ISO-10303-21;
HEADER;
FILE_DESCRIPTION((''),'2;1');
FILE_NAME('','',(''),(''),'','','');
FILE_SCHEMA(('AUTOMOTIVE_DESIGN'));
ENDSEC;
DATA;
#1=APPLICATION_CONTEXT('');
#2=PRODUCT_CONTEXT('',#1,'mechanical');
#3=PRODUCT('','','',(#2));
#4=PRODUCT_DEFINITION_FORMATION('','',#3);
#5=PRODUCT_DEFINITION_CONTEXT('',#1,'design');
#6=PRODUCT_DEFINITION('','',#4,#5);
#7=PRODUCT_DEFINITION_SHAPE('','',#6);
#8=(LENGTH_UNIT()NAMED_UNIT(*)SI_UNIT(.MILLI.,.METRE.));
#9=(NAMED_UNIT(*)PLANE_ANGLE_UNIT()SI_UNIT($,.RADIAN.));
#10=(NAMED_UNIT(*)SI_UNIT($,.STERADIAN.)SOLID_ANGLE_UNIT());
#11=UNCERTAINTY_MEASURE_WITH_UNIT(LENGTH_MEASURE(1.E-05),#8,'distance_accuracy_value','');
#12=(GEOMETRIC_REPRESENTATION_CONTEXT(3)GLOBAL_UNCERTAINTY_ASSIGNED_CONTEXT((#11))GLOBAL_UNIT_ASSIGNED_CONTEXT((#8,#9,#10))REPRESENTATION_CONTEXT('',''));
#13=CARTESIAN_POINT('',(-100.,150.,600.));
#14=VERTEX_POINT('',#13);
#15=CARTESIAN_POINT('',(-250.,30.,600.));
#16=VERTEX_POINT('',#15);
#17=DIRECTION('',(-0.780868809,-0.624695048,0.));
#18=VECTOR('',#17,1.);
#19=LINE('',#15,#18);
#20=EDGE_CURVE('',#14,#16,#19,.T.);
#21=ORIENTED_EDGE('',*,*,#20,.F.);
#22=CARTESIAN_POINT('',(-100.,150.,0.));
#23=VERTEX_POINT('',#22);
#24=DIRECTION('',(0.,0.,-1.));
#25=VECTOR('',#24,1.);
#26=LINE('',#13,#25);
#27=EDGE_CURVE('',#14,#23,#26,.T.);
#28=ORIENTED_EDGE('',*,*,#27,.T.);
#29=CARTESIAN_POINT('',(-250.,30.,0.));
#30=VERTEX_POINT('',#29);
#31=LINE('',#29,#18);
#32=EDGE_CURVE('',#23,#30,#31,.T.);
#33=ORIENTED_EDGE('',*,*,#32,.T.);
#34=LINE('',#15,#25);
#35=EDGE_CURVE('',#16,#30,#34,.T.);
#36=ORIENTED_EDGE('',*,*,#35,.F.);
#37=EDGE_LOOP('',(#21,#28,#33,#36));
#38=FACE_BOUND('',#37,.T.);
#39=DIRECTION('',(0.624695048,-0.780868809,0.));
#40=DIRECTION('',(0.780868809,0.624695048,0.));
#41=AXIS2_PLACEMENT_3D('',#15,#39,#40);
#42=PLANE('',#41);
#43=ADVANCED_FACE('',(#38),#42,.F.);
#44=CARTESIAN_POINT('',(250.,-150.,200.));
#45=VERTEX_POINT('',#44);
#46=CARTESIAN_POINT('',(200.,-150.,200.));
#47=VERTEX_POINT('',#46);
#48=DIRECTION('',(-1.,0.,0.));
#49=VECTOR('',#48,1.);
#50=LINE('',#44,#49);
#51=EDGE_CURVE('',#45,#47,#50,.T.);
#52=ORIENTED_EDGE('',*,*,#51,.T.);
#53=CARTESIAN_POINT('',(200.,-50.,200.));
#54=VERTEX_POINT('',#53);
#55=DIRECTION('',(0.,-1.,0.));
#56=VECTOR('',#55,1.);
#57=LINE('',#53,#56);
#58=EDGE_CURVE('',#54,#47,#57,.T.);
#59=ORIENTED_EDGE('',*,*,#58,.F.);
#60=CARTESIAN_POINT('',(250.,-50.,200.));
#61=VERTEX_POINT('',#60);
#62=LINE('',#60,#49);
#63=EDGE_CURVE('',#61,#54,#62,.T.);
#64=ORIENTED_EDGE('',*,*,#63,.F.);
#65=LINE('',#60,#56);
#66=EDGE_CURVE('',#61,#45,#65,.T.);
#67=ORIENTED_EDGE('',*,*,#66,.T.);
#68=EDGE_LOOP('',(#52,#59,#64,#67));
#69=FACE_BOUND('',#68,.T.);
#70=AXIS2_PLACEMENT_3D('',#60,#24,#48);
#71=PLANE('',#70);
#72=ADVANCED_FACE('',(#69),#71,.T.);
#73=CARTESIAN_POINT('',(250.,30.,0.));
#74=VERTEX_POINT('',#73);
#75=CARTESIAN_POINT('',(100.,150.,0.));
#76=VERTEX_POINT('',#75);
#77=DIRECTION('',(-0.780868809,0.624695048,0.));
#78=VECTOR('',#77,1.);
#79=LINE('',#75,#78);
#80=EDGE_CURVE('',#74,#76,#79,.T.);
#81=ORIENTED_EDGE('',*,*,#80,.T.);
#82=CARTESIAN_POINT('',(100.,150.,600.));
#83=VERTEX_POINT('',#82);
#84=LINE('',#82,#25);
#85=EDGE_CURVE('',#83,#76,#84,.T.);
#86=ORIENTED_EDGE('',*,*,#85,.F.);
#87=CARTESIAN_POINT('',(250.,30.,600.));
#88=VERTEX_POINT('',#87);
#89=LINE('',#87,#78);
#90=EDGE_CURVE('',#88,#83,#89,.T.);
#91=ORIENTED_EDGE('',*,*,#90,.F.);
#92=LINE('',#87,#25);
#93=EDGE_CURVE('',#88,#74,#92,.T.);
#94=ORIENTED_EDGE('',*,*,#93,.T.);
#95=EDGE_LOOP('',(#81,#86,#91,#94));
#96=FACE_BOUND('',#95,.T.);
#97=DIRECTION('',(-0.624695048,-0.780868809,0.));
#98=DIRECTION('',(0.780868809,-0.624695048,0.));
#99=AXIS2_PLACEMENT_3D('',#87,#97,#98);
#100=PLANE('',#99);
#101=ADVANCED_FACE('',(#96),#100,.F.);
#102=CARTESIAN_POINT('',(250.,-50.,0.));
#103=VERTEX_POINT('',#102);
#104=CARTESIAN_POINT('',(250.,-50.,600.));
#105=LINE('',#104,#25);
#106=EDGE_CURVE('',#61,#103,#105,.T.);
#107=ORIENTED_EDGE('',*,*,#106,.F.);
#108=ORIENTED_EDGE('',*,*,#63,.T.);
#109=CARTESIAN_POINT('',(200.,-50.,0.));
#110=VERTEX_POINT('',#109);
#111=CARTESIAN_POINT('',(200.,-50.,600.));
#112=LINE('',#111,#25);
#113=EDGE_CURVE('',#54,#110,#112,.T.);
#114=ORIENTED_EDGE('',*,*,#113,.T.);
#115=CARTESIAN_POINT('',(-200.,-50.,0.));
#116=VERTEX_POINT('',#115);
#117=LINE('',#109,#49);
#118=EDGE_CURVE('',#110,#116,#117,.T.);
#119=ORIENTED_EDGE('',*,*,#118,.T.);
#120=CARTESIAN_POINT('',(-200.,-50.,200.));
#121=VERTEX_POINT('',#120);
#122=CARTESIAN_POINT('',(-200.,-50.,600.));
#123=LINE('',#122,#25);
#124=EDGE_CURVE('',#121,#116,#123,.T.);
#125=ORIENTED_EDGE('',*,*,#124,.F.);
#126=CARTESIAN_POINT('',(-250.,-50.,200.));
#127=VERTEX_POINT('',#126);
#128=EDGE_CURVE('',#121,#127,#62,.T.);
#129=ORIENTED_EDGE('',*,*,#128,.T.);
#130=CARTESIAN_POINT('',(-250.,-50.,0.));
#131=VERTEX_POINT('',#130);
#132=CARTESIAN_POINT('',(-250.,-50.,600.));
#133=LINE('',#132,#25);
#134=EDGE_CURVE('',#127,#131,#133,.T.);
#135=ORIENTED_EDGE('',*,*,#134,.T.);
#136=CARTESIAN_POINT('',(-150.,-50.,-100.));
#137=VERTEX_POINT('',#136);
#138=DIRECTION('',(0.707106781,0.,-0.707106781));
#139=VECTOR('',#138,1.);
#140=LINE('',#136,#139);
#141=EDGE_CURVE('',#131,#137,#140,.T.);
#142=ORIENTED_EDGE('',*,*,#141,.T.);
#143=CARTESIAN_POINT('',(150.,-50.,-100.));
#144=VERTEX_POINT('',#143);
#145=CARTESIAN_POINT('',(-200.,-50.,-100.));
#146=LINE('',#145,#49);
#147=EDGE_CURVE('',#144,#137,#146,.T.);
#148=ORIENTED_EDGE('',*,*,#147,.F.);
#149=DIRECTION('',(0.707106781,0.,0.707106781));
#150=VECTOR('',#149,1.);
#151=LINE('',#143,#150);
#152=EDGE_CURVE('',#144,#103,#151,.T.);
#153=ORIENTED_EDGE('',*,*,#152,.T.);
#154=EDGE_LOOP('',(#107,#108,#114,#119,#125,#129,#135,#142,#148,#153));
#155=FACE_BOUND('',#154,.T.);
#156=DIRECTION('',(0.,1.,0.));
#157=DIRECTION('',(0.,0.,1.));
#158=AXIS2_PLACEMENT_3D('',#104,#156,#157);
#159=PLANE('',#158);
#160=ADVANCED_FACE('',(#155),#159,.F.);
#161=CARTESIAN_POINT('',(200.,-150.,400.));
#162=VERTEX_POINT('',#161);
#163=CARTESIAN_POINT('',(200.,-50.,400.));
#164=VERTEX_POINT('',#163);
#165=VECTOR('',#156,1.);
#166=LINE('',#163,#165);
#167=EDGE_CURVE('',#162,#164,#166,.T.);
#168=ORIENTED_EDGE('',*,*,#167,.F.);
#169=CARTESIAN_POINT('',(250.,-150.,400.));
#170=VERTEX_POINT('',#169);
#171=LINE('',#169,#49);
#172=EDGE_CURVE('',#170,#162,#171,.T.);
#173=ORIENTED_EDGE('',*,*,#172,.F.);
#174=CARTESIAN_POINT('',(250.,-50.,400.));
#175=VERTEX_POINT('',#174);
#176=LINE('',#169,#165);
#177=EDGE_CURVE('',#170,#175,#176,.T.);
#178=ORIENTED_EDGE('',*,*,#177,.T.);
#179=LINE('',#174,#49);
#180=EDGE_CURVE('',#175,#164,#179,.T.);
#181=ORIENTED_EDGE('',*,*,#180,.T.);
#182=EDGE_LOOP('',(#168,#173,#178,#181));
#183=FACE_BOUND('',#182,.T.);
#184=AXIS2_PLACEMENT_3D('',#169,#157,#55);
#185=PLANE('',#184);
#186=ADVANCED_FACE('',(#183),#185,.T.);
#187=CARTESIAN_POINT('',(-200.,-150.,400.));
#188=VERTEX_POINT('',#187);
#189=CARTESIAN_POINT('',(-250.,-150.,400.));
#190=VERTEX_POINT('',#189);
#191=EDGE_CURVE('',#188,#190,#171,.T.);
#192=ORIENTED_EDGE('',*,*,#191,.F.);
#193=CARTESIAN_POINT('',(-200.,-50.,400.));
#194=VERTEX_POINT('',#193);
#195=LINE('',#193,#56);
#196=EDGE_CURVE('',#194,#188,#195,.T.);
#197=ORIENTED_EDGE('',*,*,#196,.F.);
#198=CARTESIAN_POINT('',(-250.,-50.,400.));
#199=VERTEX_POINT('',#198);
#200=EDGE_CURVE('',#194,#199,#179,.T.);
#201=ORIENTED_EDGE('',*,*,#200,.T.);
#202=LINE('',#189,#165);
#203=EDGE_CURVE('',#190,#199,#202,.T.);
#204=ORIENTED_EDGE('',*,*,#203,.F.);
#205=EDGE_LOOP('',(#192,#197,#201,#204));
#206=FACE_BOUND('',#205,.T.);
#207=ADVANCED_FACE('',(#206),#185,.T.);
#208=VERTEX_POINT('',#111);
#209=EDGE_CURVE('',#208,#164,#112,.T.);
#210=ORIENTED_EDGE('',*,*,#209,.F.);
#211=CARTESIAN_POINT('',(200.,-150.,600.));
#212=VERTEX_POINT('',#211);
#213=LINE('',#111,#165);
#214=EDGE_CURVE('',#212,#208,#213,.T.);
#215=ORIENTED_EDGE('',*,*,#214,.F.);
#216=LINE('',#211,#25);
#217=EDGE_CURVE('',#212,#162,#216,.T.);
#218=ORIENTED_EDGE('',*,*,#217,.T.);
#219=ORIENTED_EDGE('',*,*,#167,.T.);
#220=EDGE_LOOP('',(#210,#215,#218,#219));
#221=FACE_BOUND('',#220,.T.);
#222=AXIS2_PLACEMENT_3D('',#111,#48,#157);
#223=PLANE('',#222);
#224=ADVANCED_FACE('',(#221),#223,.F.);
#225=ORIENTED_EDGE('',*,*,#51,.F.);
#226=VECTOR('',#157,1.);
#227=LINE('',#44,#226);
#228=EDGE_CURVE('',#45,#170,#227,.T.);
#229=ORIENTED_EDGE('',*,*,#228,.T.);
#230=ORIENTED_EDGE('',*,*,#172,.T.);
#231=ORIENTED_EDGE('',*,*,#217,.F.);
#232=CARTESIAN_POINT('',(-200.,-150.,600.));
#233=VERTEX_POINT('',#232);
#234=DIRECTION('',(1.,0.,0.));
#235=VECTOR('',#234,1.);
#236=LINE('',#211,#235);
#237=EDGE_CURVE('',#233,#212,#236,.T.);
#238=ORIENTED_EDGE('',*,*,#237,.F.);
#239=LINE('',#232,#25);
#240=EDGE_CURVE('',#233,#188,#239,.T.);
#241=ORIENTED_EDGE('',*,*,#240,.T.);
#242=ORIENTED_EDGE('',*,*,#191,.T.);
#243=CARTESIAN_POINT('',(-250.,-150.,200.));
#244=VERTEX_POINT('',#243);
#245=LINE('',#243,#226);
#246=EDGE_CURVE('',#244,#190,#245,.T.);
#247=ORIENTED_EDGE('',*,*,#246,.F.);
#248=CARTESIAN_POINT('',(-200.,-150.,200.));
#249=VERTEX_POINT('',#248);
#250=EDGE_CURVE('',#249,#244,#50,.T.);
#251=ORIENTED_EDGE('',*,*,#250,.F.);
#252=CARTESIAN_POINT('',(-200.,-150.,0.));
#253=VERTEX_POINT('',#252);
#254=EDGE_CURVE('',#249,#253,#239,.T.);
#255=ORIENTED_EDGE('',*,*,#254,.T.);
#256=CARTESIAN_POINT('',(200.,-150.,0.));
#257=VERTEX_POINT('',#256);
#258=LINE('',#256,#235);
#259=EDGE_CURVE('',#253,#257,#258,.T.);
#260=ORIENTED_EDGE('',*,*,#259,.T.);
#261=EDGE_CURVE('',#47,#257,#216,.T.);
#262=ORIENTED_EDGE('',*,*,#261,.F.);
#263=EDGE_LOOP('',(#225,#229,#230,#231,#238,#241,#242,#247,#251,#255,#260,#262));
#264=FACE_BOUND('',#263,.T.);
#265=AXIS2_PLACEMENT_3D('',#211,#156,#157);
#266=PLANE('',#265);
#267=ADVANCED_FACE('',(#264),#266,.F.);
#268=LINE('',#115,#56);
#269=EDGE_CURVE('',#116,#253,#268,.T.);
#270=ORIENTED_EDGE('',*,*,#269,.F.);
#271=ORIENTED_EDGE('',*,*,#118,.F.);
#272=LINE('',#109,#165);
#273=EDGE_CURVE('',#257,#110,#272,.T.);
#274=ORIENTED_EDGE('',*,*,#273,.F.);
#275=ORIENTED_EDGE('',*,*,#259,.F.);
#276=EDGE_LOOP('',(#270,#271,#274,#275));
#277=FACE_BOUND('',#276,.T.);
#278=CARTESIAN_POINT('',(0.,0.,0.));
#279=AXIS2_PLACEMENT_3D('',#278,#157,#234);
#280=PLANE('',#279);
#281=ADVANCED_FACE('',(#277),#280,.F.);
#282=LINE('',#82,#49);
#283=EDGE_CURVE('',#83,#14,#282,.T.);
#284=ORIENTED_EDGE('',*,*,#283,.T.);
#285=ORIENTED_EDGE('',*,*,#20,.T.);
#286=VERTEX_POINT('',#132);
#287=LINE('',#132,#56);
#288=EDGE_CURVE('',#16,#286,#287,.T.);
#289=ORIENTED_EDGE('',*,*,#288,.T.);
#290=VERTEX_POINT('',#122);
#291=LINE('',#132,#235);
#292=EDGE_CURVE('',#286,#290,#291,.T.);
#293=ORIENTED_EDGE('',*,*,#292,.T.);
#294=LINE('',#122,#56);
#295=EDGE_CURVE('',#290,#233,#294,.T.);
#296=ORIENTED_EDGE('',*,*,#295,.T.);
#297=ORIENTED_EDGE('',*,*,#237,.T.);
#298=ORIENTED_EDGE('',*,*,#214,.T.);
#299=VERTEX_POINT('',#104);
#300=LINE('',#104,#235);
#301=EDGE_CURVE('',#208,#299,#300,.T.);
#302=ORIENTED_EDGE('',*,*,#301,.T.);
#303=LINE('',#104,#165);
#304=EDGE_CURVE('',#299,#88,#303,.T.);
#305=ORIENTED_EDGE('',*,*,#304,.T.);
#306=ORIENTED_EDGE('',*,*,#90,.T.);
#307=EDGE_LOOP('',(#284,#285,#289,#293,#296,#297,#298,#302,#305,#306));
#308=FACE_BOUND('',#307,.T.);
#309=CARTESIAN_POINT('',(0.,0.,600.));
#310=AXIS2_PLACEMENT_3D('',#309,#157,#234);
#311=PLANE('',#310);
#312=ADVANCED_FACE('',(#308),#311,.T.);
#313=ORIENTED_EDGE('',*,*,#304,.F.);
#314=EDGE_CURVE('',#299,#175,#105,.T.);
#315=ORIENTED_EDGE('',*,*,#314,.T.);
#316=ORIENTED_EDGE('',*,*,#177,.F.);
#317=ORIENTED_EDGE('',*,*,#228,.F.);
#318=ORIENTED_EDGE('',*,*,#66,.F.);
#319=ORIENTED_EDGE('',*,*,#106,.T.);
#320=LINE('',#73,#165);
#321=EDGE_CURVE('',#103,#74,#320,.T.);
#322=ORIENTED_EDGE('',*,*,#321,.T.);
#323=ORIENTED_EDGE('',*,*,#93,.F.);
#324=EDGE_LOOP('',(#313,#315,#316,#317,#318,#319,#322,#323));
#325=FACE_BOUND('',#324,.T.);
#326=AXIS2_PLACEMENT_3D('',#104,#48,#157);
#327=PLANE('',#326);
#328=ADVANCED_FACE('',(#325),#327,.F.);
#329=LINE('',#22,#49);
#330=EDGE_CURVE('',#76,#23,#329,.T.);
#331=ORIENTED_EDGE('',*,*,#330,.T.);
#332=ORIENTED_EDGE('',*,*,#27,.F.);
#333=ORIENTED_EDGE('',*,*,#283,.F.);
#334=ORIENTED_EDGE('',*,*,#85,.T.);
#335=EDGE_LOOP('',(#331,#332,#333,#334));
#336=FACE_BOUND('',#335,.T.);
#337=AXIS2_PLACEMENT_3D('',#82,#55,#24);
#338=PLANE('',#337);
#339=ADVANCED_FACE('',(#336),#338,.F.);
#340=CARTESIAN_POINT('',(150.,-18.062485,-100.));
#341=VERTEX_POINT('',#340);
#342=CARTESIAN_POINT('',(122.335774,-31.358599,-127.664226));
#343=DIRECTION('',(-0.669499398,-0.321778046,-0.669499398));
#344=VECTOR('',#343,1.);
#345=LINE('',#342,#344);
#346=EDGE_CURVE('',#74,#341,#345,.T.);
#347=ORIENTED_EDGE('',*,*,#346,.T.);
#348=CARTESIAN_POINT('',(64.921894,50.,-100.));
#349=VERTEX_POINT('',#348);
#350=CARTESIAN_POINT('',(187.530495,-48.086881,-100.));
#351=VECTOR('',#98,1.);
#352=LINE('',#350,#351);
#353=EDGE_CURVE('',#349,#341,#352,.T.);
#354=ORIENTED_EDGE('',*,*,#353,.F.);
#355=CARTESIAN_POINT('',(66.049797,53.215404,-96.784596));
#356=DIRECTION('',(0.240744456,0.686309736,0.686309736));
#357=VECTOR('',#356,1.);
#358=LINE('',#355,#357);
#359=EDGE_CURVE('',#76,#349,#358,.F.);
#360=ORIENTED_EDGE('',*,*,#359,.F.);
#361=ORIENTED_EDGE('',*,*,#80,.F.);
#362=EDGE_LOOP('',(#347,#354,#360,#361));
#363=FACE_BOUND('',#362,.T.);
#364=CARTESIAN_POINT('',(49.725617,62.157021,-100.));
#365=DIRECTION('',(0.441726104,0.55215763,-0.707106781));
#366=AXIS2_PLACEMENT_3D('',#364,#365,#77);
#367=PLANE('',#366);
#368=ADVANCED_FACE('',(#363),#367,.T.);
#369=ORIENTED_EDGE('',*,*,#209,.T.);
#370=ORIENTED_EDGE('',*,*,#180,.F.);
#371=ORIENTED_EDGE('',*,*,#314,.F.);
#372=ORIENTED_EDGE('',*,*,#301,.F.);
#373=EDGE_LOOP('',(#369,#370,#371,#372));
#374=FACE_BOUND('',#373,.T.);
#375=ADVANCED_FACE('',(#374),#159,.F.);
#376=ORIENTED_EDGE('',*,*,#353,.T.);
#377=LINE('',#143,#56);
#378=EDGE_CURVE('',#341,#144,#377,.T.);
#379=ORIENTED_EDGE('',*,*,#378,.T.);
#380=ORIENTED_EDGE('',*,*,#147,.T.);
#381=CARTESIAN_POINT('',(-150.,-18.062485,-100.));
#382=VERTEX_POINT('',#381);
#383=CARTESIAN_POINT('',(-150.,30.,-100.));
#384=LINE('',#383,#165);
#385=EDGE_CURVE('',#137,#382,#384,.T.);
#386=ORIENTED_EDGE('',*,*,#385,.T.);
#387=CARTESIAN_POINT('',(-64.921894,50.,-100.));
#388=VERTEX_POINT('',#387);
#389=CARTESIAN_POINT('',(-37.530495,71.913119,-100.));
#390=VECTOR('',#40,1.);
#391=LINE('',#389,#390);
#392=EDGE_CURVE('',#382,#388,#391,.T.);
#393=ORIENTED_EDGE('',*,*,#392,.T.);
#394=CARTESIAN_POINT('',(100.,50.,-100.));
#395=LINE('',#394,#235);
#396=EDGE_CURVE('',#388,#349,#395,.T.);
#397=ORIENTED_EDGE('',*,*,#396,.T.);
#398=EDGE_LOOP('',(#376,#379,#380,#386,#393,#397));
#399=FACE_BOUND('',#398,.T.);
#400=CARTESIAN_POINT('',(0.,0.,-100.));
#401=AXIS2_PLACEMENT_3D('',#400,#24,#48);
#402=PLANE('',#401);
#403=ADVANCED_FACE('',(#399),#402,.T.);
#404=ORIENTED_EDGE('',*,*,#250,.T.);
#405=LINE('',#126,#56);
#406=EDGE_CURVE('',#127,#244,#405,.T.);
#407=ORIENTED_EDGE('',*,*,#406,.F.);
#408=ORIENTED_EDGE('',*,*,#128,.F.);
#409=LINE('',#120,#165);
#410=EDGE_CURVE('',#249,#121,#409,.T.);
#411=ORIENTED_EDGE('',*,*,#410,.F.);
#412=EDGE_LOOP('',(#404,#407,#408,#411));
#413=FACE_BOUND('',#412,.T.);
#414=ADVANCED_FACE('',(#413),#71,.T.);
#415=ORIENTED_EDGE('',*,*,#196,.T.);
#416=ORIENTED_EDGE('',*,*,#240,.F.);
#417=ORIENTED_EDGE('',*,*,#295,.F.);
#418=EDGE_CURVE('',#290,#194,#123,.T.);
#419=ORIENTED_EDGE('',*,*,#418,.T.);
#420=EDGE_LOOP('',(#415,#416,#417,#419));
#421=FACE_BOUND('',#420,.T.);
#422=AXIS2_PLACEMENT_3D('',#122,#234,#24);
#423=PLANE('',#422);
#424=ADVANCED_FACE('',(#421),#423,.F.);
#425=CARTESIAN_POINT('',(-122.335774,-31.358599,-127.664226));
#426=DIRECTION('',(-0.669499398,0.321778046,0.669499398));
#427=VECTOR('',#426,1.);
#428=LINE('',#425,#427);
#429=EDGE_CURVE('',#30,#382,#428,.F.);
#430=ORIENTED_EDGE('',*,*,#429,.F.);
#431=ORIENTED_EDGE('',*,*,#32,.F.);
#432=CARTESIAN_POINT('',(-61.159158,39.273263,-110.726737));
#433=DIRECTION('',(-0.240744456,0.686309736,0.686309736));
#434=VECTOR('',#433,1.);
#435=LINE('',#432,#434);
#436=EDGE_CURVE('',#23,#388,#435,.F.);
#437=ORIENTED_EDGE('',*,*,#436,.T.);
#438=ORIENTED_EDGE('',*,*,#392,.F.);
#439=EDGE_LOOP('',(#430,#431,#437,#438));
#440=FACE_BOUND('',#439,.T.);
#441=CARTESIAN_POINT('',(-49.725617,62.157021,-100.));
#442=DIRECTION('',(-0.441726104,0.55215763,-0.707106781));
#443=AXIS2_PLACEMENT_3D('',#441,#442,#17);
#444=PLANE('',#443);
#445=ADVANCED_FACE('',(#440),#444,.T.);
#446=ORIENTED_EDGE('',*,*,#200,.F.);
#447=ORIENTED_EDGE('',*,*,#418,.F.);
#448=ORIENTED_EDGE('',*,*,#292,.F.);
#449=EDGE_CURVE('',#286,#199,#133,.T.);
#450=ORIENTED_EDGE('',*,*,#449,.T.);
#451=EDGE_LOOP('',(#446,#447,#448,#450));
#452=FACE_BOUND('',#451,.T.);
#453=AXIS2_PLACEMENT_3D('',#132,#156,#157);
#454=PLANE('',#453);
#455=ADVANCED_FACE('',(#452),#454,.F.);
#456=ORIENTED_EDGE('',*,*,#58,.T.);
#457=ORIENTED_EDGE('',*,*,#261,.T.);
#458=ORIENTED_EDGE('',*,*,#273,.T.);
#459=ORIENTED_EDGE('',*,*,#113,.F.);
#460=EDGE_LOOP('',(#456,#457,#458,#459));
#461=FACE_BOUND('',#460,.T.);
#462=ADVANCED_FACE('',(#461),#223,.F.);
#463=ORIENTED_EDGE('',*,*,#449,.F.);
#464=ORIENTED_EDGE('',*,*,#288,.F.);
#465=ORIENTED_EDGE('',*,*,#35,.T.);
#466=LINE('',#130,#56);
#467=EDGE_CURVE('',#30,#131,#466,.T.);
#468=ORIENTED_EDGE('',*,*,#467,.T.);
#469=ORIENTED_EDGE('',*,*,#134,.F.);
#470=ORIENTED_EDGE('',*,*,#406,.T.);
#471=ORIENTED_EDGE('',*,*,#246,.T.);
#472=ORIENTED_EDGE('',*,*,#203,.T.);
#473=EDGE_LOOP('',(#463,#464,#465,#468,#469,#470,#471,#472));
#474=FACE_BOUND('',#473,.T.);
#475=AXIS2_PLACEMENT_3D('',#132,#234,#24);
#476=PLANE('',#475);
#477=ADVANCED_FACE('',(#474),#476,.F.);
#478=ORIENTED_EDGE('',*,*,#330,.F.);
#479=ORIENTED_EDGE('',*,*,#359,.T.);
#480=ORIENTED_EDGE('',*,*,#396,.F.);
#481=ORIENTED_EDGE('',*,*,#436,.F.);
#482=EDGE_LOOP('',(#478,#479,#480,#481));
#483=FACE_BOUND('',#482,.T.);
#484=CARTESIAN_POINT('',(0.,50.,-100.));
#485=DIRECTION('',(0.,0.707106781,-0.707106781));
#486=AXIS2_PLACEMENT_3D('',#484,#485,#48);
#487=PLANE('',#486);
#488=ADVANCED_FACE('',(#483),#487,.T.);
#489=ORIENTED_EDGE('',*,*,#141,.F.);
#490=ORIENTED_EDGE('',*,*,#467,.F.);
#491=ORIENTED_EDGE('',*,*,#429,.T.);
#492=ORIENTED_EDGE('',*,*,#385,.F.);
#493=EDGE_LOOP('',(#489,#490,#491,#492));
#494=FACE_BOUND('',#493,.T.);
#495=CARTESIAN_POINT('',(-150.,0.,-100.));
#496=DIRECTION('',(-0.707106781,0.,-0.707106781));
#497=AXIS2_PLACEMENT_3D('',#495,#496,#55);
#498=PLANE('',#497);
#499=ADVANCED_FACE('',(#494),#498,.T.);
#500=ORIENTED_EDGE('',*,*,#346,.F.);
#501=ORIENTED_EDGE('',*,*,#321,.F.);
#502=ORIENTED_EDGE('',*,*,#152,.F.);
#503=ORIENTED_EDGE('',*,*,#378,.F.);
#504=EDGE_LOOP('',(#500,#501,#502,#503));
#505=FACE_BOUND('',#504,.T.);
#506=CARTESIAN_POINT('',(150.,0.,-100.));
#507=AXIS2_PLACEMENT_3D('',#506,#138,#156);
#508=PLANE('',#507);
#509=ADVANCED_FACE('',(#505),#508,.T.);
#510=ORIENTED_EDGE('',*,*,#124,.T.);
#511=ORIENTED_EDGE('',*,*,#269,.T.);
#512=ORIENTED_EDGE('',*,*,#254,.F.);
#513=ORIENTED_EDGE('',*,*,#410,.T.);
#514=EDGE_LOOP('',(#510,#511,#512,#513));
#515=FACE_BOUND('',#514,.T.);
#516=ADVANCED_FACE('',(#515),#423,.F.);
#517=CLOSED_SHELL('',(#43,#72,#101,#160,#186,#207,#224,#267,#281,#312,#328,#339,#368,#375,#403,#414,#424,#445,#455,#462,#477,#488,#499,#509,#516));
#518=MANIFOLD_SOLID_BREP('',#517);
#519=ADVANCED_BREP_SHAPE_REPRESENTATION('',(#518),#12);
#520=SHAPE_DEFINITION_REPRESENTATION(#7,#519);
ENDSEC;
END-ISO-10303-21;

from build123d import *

# Parameters (mm, degrees)
BOSS_EXTRU_1_DEPTH = 600
ESQUISSE2_W        = 200
ESQUISSE2_H        = 100
BOSS_EXTRU_2_DEPTH = 500
BOSS_EXTRU_3_DEPTH = 100
CHANFREIN1_SIZE    = 100


with BuildPart() as part:
    # Esquisse1 → Boss.-Extru.1 (new body)
    with BuildSketch(Plane.XY):
        Polygon((-250, 30), (-100, 150), (100, 150), (250, 30), (250, -50), (200, -50), (200, -150), (-200, -150), (-200, -50), (-250, -50), align=None)
    extrude(amount=BOSS_EXTRU_1_DEPTH)

    # Esquisse2 → Boss.-Extru.2 (add)
    with BuildSketch(Plane.ZY.offset(250)):
        with Locations((300, -100)):
            Rectangle(ESQUISSE2_W, ESQUISSE2_H)
    extrude(amount=-BOSS_EXTRU_2_DEPTH)

    # Esquisse3 → Boss.-Extru.3 (add)
    with BuildSketch(Plane(origin=(0, 0, 0), x_dir=(-1, 0, 0), z_dir=(0, 0, -1))):
        Polygon((-200, -50), (200, -50), (250, -50), (250, 30), (100, 150), (-100, 150), (-250, 30), (-250, -50), align=None)
    extrude(amount=BOSS_EXTRU_3_DEPTH)

    # Chanfrein1
    chanfrein1_edges = [part.edges().sort_by_distance(p)[0] for p in [
        (-250, -10, -100),
        (-175, 90, -100),
        (0, 150, -100),
        (175, 90, -100),
        (250, -10, -100),
    ]]
    chamfer(chanfrein1_edges, length=CHANFREIN1_SIZE)


solid = part.part
